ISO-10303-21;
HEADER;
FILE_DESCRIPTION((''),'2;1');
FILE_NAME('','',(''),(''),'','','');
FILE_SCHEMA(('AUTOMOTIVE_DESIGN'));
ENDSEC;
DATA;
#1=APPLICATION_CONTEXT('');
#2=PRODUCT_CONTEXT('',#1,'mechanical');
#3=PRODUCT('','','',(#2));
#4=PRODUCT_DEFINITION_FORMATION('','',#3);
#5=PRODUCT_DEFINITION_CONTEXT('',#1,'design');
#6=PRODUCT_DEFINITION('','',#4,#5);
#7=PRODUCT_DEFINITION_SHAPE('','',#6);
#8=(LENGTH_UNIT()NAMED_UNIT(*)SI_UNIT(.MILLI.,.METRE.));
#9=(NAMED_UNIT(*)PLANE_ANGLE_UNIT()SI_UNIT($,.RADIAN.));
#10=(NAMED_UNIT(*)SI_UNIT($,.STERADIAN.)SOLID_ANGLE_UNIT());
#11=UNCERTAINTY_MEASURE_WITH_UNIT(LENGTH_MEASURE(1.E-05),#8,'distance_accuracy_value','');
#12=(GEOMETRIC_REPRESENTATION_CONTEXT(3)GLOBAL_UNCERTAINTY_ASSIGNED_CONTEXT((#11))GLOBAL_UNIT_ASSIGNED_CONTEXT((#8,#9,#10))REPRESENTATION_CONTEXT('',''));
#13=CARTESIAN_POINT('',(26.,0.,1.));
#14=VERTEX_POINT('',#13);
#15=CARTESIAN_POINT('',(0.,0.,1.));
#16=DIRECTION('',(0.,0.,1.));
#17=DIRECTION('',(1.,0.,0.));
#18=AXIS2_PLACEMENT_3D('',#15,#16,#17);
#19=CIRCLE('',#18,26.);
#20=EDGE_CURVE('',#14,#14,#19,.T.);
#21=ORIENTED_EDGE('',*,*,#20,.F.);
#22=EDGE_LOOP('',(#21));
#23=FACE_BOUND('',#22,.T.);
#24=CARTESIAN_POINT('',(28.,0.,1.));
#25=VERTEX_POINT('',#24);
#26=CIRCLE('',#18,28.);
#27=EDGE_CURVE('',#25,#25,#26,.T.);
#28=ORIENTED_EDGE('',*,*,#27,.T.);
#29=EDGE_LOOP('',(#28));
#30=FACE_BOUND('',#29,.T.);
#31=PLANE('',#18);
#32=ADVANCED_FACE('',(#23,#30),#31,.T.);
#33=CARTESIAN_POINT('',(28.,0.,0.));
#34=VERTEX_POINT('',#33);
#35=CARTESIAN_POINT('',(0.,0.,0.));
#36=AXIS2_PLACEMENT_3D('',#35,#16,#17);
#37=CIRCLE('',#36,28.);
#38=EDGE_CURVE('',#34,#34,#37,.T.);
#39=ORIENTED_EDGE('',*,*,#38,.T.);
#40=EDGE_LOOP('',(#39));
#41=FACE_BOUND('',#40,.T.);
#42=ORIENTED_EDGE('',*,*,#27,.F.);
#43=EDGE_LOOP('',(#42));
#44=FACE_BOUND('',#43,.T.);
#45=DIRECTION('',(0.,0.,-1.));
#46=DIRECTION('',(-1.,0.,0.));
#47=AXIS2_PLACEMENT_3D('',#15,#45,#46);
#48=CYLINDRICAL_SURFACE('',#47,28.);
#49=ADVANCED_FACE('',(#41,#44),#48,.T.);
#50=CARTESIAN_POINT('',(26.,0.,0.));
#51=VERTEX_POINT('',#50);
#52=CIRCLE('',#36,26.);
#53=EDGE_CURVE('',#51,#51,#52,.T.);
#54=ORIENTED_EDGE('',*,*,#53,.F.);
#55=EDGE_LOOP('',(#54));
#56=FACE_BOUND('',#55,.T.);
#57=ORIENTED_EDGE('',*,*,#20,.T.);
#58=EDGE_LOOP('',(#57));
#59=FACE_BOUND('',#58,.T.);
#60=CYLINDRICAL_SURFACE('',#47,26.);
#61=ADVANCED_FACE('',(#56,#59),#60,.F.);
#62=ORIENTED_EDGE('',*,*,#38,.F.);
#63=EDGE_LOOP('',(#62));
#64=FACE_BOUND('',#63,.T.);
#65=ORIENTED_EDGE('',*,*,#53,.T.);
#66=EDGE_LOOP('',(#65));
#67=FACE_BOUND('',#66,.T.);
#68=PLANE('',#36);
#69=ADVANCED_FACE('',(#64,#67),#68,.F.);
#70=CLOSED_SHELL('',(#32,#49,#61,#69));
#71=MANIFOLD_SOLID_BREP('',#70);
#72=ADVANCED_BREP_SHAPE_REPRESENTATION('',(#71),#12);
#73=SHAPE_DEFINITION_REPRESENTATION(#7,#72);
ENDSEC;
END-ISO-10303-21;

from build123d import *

# Parameters (mm, degrees)
SKETCH1_R           = 28
SKETCH1_R_2         = 26
BOSS_EXTRUDE1_DEPTH = 1


with BuildPart() as part:
    # Sketch1 → Boss-Extrude1 (new body)
    with BuildSketch(Plane.XY):
        Circle(SKETCH1_R)
        Circle(SKETCH1_R_2, mode=Mode.SUBTRACT)
    extrude(amount=BOSS_EXTRUDE1_DEPTH)


solid = part.part
